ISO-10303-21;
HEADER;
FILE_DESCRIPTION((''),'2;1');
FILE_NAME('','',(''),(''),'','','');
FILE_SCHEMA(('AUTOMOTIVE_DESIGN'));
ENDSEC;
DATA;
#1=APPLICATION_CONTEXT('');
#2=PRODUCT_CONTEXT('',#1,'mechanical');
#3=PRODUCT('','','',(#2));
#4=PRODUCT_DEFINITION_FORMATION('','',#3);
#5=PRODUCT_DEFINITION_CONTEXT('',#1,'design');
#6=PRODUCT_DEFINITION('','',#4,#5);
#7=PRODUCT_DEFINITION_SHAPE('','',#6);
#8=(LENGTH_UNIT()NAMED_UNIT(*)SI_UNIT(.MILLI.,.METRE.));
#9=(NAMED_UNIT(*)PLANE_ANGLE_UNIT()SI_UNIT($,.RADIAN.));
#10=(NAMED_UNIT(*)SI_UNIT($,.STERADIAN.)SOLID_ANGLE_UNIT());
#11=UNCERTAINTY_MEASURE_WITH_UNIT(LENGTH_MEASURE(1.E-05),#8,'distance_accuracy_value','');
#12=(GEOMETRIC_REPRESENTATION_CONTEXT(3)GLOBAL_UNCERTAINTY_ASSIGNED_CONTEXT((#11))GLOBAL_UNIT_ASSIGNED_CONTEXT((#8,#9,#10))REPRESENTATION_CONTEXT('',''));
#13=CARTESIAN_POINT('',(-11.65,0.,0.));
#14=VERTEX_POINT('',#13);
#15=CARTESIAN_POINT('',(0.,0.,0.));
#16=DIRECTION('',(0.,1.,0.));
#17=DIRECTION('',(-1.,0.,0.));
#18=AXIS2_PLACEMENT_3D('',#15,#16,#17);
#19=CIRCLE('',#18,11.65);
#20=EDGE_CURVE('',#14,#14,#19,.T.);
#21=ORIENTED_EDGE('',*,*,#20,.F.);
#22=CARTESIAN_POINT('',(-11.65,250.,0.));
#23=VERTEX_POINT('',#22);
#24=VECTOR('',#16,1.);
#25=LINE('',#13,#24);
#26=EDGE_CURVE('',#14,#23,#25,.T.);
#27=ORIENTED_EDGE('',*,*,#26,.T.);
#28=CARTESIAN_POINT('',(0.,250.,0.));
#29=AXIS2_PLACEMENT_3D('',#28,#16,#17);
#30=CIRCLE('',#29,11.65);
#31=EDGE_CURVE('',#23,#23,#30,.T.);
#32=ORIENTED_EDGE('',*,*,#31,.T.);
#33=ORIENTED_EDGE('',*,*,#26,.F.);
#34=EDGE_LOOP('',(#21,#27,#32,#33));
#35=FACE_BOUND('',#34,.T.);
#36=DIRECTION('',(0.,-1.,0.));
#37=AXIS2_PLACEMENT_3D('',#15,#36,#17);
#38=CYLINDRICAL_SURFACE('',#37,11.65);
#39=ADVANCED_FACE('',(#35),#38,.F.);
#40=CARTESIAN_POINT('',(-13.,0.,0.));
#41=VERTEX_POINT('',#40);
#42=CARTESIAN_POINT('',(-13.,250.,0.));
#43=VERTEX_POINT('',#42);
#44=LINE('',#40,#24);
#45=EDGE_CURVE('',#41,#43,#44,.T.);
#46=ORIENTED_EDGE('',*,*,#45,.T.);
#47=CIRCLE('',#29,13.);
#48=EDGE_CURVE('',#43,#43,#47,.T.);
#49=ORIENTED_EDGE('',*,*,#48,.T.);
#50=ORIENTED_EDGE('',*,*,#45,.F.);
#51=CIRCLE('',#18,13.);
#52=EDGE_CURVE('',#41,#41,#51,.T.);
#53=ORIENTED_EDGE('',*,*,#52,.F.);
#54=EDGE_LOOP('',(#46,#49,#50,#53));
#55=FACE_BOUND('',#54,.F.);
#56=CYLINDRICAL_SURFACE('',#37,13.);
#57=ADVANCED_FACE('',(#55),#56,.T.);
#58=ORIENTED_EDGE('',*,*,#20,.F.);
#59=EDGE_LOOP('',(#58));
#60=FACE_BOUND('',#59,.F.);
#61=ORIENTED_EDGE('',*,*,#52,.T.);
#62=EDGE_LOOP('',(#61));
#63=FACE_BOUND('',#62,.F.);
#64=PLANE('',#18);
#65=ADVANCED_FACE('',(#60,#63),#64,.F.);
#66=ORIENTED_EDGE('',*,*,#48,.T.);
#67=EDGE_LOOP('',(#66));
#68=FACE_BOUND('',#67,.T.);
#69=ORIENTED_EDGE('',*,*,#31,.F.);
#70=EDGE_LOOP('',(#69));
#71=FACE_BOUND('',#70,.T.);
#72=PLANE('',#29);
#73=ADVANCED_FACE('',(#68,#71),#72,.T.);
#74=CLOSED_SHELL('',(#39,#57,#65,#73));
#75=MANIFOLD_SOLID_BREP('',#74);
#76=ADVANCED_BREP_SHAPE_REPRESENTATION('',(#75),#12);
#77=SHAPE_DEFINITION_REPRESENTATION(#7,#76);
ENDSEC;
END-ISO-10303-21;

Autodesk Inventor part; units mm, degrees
ref_plane "YZ Plane" through (0, 0, 0) normal (1, 0, 0) x (0, 1, 0)
ref_plane "XZ Plane" through (0, 0, 0) normal (0, 1, 0) x (-1, 0, 0)
ref_plane "XY Plane" through (0, 0, 0) normal (0, 0, 1) x (1, 0, 0)
sketch "Sketch2" plane through (0, 0, 0) normal (0, 1, 0) x (-1, 0, 0)
  circle A0 centre (0, 0) radius 13
  circle A1 centre (0, 0) radius 11.65
  dimension "d1" = 26
  dimension "d2" = 23.3
extrude "Extrusion1" add sketch "Sketch2" along normal blind 250
properties part number "25cm"
